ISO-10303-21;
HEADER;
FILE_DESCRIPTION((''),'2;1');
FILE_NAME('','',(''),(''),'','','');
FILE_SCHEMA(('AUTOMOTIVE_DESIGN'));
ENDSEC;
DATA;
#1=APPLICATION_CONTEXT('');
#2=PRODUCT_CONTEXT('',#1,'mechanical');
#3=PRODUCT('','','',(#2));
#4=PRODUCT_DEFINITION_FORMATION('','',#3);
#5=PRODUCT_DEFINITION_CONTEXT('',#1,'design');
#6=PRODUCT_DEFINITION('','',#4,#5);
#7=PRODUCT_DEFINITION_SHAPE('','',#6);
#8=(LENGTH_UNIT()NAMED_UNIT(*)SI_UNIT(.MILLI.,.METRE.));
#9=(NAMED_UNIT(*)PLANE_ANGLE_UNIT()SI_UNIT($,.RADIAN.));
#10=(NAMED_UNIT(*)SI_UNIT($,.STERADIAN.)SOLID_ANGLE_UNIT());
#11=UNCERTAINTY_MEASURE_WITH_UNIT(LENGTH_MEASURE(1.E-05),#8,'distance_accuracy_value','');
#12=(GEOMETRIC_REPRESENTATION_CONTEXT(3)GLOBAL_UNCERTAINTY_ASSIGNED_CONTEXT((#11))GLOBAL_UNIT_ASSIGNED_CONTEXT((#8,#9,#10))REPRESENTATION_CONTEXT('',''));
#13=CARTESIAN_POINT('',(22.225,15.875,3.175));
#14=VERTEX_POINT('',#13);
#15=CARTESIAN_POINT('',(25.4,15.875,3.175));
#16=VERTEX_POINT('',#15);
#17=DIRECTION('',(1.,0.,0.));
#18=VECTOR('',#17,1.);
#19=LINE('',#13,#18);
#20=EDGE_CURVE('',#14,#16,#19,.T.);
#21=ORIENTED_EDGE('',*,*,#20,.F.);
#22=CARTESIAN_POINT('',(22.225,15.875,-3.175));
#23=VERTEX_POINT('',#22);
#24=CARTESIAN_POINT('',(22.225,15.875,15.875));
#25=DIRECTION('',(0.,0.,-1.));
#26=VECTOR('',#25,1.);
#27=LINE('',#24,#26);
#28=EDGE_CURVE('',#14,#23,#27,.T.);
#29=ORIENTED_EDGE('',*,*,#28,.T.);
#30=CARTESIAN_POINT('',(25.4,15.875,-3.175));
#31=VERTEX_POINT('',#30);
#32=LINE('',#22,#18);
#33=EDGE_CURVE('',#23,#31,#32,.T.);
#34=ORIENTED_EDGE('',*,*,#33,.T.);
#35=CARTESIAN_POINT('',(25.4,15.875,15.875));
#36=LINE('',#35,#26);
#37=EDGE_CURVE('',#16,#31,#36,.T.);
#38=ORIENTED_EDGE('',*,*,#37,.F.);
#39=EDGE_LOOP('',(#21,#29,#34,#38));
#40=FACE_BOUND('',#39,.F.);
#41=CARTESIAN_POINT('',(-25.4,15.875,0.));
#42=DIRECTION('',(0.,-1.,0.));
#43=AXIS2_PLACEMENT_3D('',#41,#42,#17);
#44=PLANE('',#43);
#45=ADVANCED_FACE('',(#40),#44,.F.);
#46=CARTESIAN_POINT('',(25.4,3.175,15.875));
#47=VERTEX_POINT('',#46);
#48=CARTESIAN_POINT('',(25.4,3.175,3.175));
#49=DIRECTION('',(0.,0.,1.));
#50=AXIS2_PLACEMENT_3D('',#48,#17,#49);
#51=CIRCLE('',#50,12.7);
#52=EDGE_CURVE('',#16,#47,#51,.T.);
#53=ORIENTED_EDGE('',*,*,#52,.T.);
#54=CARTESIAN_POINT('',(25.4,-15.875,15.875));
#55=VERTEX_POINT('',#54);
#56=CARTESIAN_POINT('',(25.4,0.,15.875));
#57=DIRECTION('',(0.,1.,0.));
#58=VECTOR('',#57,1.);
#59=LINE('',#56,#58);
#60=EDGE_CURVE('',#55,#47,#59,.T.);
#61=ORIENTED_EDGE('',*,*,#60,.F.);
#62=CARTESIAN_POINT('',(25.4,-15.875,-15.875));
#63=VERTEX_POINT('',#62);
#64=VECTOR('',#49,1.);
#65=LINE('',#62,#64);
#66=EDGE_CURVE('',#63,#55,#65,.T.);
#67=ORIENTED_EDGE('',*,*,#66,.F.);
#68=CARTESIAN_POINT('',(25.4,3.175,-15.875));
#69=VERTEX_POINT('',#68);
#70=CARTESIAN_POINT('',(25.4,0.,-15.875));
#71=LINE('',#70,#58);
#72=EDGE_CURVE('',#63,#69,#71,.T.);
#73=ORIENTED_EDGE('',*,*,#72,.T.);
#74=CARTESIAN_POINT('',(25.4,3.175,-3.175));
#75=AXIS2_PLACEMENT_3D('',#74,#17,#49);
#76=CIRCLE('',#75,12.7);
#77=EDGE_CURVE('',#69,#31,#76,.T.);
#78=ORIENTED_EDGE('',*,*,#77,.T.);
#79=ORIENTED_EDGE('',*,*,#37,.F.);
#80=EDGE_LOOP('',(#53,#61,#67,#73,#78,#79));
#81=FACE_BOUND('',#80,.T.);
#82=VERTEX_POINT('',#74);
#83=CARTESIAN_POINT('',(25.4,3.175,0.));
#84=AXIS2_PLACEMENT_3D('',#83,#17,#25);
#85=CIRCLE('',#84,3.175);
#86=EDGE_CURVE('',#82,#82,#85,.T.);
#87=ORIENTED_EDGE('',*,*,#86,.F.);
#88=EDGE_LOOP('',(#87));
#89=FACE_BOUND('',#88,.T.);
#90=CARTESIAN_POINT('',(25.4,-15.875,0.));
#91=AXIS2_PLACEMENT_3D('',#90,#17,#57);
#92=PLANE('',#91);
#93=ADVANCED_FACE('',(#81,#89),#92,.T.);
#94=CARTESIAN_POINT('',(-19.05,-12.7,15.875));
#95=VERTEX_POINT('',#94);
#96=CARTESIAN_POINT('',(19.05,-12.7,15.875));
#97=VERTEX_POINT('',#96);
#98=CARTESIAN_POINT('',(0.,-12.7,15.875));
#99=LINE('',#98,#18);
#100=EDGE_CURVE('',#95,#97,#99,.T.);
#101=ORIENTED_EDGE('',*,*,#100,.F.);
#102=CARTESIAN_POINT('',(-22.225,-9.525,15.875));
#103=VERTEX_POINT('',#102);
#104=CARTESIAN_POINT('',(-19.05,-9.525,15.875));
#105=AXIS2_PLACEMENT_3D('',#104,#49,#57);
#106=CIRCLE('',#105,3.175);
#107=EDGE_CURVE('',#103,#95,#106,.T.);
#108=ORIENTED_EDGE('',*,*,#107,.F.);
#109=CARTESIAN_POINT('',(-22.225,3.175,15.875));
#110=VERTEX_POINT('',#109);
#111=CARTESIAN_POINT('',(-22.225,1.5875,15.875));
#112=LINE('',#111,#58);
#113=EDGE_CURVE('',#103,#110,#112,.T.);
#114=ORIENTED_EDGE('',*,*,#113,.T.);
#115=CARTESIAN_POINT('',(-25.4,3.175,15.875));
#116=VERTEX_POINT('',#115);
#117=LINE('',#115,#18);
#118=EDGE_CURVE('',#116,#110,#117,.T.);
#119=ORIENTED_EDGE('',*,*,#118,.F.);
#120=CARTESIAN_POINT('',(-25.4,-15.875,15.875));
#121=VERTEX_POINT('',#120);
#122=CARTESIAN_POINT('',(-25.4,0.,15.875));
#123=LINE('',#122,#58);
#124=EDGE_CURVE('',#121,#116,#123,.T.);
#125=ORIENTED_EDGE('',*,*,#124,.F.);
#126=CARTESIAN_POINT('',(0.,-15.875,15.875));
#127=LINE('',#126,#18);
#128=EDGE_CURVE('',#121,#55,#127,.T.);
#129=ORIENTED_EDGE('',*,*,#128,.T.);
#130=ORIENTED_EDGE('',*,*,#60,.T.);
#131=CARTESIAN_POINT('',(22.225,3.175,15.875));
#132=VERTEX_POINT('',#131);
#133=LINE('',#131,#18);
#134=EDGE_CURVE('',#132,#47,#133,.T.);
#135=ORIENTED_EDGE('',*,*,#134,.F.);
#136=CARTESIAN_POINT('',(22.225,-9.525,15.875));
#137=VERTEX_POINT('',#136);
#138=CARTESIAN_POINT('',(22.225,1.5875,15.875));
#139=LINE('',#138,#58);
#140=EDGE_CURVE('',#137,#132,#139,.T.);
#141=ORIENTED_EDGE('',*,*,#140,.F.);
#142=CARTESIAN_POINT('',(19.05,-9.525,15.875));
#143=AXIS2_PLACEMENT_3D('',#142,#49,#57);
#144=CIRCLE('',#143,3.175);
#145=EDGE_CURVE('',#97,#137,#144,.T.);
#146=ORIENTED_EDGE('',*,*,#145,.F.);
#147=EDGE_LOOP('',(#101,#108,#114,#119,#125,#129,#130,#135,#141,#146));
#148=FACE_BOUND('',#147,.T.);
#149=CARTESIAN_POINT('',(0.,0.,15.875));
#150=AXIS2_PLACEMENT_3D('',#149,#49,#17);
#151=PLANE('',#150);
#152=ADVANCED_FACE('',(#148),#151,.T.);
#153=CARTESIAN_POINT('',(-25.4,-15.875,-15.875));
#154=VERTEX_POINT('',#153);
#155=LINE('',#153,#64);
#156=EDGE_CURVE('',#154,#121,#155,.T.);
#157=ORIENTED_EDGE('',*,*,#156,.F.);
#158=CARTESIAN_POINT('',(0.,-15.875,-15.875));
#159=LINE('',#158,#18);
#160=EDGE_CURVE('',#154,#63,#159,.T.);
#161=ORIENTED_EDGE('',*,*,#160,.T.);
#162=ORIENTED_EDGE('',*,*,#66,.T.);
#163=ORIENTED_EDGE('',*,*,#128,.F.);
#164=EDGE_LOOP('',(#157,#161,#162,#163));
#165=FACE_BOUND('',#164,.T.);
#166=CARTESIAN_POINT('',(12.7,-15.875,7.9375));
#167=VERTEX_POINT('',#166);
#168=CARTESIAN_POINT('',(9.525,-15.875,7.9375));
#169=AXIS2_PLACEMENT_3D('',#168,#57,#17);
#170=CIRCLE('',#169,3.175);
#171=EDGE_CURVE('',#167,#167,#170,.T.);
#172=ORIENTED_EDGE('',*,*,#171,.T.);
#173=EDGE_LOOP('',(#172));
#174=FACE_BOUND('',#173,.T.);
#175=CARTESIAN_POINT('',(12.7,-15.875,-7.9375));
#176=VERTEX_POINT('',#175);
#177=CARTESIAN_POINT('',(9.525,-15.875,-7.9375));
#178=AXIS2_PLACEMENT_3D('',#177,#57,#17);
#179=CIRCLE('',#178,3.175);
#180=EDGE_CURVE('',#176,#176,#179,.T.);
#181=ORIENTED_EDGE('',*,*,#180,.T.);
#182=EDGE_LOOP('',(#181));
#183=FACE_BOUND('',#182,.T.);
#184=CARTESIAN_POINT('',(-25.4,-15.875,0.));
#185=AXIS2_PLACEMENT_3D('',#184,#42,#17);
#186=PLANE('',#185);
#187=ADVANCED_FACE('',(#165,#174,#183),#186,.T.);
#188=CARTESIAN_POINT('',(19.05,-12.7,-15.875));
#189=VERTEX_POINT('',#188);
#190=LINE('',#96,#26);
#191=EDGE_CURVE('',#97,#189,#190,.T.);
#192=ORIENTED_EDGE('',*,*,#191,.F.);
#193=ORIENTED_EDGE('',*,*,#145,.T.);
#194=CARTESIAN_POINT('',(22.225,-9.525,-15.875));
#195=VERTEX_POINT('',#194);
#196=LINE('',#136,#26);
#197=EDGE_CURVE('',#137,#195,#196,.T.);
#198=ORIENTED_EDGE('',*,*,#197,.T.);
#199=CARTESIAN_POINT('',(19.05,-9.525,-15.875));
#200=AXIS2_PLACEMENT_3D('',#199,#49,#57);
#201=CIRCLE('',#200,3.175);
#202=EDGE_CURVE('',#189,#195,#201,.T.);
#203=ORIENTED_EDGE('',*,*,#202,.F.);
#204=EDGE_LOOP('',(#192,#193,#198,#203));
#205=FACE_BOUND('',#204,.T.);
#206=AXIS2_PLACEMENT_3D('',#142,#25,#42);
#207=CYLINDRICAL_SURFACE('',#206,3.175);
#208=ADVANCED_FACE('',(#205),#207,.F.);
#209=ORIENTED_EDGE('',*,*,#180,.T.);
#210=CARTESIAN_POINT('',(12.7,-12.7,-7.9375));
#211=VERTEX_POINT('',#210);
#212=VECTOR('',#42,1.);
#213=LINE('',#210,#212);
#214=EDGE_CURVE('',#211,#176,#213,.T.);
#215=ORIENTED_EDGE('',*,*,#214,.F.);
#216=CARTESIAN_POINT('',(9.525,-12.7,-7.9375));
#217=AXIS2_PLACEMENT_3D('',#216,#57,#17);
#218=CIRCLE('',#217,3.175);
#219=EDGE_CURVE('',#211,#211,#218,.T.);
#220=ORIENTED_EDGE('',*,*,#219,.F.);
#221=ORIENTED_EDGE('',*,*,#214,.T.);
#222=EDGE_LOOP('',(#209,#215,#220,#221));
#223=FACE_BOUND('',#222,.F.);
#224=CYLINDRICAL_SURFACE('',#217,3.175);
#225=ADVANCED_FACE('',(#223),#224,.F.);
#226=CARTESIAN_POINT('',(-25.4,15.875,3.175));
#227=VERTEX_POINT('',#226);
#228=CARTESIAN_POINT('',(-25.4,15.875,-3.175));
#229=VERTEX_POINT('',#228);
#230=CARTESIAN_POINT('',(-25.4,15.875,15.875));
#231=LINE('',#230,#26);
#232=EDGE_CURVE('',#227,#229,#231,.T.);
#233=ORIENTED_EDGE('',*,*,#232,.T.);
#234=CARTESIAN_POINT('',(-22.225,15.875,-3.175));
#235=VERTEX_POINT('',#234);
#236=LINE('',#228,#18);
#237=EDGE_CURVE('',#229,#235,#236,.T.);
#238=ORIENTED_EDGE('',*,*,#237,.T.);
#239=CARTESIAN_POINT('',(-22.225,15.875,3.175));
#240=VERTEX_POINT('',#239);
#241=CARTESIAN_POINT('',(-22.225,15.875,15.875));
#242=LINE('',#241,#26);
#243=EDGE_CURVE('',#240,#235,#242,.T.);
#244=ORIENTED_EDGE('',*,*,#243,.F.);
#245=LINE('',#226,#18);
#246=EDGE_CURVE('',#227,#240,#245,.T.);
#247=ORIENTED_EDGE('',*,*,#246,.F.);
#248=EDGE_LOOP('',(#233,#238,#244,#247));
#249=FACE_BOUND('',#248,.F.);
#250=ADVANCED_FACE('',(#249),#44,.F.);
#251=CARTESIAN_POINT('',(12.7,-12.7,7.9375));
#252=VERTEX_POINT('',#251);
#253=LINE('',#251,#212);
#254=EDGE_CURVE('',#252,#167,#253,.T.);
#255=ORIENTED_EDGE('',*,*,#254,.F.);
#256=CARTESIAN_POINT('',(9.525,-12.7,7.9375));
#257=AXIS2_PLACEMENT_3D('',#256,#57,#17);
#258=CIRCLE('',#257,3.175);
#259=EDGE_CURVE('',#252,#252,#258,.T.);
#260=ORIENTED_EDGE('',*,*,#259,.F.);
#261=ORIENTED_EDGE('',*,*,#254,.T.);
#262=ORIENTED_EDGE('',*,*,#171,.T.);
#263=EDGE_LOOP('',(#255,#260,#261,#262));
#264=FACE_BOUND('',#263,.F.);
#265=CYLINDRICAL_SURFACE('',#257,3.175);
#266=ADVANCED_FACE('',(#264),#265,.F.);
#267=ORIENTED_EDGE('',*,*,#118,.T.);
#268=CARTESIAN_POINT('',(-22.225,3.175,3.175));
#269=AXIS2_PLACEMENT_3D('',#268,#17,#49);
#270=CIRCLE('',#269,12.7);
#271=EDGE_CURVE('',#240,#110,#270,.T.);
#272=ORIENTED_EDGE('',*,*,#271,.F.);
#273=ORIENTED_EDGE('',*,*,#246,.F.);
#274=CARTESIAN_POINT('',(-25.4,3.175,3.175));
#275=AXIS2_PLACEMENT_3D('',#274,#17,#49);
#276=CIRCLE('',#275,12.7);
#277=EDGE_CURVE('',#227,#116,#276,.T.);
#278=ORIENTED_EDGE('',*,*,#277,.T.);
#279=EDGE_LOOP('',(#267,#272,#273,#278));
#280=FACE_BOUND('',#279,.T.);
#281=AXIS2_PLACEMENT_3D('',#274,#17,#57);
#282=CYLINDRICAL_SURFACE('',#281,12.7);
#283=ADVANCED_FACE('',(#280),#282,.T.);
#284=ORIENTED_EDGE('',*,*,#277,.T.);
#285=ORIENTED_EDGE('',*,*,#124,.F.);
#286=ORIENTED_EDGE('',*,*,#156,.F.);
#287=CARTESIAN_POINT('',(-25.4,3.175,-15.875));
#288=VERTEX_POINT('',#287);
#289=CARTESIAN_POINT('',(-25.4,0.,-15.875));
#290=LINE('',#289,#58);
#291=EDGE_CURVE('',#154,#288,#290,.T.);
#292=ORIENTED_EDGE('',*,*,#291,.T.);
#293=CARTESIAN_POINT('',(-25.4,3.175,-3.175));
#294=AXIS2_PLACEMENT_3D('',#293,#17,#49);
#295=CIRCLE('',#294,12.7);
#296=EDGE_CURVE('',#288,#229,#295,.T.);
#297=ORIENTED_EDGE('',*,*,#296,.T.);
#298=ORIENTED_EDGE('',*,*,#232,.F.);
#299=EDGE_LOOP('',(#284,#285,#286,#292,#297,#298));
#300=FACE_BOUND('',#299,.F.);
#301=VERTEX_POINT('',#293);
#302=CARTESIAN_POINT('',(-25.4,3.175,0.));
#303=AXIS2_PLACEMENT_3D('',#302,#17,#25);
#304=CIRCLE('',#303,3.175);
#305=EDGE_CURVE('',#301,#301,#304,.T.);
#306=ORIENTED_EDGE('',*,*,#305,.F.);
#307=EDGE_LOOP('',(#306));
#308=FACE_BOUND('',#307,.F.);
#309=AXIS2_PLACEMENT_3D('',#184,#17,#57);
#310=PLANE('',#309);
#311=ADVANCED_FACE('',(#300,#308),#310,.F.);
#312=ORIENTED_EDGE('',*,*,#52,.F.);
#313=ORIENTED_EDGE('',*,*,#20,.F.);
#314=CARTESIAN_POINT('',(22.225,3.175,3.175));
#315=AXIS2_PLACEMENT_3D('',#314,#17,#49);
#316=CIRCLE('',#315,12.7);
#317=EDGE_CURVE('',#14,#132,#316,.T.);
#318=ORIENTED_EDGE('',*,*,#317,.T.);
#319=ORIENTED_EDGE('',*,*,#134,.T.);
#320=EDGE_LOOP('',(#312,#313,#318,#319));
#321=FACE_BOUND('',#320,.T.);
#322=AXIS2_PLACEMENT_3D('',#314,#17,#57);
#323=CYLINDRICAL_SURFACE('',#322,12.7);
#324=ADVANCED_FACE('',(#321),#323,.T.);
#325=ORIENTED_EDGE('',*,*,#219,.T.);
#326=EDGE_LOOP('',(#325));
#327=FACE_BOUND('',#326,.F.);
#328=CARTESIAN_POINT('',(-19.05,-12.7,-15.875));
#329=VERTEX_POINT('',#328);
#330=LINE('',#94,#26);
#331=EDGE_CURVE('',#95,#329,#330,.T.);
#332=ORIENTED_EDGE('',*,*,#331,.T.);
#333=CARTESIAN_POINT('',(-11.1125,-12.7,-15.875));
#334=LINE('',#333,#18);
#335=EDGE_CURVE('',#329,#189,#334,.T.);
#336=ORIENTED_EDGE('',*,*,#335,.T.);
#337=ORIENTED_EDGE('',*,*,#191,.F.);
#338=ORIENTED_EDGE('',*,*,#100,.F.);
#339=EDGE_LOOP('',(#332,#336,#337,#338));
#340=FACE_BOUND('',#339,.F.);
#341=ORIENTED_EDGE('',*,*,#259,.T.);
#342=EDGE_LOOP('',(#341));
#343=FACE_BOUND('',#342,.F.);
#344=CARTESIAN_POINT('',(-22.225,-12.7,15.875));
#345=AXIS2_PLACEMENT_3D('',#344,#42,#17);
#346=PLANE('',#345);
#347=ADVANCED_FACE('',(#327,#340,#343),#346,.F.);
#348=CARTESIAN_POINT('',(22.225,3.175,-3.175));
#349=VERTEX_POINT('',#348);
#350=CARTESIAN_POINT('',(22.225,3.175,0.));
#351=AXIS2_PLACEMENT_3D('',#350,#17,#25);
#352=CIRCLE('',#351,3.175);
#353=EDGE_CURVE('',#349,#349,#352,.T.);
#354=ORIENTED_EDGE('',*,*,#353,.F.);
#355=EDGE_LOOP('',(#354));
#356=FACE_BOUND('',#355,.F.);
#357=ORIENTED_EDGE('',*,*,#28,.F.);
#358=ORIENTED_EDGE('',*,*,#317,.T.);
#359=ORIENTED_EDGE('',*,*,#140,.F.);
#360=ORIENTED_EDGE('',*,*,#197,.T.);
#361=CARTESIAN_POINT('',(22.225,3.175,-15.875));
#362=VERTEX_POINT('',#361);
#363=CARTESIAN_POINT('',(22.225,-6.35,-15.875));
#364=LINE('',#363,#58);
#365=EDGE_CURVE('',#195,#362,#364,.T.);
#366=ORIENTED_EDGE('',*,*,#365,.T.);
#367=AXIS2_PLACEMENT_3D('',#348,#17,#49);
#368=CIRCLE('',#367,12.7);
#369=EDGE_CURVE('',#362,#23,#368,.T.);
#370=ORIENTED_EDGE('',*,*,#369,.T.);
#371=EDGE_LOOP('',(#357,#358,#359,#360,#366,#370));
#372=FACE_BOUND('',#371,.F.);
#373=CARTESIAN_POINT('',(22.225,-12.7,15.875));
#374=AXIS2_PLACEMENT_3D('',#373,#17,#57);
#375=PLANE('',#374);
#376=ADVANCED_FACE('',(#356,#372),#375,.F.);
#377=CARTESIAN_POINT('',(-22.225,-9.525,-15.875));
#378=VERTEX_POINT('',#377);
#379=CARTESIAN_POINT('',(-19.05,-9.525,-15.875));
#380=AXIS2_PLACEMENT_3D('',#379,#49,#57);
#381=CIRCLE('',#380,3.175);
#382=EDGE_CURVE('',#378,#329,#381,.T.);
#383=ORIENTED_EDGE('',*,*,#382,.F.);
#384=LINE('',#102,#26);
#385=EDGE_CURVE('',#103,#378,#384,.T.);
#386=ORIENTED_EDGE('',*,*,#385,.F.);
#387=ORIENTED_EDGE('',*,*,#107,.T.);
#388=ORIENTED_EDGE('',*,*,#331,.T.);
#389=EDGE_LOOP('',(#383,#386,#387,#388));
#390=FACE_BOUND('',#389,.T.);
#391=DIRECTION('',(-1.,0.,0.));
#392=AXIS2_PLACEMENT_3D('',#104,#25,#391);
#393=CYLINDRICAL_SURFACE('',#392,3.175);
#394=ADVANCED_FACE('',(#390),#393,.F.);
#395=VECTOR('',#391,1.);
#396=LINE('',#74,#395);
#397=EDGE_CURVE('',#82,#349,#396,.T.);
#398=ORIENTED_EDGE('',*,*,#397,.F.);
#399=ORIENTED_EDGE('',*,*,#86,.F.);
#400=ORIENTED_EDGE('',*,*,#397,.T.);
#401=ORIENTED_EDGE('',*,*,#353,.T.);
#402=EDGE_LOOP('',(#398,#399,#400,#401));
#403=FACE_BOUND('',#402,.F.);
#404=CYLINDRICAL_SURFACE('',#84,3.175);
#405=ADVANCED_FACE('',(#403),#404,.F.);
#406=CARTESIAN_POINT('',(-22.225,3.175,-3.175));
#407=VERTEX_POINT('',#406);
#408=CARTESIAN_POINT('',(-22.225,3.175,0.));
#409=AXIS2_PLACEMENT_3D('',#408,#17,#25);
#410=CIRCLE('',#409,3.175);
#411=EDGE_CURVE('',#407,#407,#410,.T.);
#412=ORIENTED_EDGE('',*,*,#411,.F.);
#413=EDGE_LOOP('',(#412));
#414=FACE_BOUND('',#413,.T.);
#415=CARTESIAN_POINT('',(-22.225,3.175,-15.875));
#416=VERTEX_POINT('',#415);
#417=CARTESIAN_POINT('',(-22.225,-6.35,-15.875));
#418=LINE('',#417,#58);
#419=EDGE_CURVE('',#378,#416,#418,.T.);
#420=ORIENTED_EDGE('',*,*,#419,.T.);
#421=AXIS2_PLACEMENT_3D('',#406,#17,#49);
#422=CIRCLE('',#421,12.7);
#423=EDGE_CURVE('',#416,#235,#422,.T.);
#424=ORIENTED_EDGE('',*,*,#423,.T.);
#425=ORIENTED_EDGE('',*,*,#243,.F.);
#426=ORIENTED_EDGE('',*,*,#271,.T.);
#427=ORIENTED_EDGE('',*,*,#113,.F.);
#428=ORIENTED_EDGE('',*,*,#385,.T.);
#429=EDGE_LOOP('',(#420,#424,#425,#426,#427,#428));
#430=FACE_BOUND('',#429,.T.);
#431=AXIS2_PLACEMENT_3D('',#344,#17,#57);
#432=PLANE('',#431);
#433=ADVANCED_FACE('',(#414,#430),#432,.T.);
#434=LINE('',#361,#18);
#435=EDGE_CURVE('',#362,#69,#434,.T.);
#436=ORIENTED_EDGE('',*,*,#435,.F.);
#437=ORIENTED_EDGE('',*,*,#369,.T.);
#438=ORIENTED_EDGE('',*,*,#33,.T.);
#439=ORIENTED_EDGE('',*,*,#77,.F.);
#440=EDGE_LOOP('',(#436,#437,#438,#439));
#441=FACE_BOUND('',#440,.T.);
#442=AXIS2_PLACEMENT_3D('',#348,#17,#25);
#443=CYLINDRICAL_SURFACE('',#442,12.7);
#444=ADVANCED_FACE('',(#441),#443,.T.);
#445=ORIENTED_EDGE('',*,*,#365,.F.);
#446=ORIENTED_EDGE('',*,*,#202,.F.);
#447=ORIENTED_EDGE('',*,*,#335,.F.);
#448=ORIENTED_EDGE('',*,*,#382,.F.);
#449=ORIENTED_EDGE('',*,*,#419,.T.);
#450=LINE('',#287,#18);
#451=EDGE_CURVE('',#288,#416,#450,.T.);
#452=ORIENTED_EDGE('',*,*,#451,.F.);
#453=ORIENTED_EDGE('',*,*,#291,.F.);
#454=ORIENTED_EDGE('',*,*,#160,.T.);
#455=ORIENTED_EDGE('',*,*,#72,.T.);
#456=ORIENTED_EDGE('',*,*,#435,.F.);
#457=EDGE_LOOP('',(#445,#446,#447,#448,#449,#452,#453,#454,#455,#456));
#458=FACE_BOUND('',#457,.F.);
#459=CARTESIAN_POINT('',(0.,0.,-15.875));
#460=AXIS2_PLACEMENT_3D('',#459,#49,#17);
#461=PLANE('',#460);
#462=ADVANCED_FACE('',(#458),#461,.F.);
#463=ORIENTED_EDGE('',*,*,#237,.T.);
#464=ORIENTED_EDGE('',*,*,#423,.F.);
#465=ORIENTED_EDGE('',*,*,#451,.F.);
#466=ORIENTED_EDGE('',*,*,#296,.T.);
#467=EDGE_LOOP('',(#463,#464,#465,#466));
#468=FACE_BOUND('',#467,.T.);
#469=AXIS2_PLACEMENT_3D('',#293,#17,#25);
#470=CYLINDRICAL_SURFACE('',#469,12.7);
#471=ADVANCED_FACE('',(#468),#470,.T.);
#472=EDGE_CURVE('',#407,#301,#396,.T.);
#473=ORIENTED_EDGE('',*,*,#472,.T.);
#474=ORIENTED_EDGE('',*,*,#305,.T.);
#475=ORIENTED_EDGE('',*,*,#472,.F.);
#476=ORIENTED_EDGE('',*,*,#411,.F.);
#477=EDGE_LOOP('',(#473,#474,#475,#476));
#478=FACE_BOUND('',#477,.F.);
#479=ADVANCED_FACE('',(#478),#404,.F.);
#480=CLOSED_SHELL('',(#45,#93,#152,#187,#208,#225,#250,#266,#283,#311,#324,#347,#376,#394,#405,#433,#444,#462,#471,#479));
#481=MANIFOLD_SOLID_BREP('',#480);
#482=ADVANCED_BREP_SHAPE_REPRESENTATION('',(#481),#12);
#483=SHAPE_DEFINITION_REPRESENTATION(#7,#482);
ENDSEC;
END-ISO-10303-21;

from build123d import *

# Parameters (mm, degrees)
SKETCH1_W           = 50.8
SKETCH1_H           = 31.75
BOSS_EXTRUDE1_DEPTH = 15.875
SKETCH2_W           = 44.45
SKETCH2_H           = 28.575
CUT_EXTRUDE1_DEPTH  = 32.75
SKETCH3_R           = 3.175
CUT_EXTRUDE2_DEPTH  = 4.175
FILLET1_R           = 3.175
SKETCH4_R           = 3.175
CUT_EXTRUDE3_DEPTH  = 51.8
FILLET2_R           = 12.7


with BuildPart() as part:
    # Sketch1 → Boss-Extrude1 (new body, symmetric)
    with BuildSketch(Plane.XY):
        Rectangle(SKETCH1_W, SKETCH1_H)
    extrude(amount=BOSS_EXTRUDE1_DEPTH, both=True)

    # Sketch2 → Cut-Extrude1 (cut, through all)
    with BuildSketch(Plane.XY.offset(15.875)):
        with Locations((0, 1.5875)):
            Rectangle(SKETCH2_W, SKETCH2_H)
    extrude(amount=-CUT_EXTRUDE1_DEPTH, mode=Mode.SUBTRACT)

    # Sketch3 → Cut-Extrude2 (cut, through all)
    with BuildSketch(Plane(origin=(0, -12.7, 0), x_dir=(1, 0, 0), z_dir=(0, 1, 0))):
        with Locations((9.525, 7.9375)):
            Circle(SKETCH3_R)
        with Locations((9.525, -7.9375)):
            Circle(SKETCH3_R)
    extrude(amount=-CUT_EXTRUDE2_DEPTH, mode=Mode.SUBTRACT)

    # Fillet1
    fillet1_edges = [part.edges().sort_by_distance(p)[0] for p in [
        (-22.225, -12.7, 0),
        (22.225, -12.7, 0),
    ]]
    fillet(fillet1_edges, radius=FILLET1_R)

    # Sketch4 → Cut-Extrude3 (cut, through all)
    with BuildSketch(Plane(origin=(25.4, 0, 0), x_dir=(0, 0, -1), z_dir=(1, 0, 0))):
        with Locations((0, 3.175)):
            Circle(SKETCH4_R)
    extrude(amount=-CUT_EXTRUDE3_DEPTH, mode=Mode.SUBTRACT)

    # Fillet2
    fillet2_edges = [part.edges().sort_by_distance(p)[0] for p in [
        (-23.8125, 15.875, -15.875),
        (-23.8125, 15.875, 15.875),
        (23.8125, 15.875, -15.875),
        (23.8125, 15.875, 15.875),
    ]]
    fillet(fillet2_edges, radius=FILLET2_R)


solid = part.part
